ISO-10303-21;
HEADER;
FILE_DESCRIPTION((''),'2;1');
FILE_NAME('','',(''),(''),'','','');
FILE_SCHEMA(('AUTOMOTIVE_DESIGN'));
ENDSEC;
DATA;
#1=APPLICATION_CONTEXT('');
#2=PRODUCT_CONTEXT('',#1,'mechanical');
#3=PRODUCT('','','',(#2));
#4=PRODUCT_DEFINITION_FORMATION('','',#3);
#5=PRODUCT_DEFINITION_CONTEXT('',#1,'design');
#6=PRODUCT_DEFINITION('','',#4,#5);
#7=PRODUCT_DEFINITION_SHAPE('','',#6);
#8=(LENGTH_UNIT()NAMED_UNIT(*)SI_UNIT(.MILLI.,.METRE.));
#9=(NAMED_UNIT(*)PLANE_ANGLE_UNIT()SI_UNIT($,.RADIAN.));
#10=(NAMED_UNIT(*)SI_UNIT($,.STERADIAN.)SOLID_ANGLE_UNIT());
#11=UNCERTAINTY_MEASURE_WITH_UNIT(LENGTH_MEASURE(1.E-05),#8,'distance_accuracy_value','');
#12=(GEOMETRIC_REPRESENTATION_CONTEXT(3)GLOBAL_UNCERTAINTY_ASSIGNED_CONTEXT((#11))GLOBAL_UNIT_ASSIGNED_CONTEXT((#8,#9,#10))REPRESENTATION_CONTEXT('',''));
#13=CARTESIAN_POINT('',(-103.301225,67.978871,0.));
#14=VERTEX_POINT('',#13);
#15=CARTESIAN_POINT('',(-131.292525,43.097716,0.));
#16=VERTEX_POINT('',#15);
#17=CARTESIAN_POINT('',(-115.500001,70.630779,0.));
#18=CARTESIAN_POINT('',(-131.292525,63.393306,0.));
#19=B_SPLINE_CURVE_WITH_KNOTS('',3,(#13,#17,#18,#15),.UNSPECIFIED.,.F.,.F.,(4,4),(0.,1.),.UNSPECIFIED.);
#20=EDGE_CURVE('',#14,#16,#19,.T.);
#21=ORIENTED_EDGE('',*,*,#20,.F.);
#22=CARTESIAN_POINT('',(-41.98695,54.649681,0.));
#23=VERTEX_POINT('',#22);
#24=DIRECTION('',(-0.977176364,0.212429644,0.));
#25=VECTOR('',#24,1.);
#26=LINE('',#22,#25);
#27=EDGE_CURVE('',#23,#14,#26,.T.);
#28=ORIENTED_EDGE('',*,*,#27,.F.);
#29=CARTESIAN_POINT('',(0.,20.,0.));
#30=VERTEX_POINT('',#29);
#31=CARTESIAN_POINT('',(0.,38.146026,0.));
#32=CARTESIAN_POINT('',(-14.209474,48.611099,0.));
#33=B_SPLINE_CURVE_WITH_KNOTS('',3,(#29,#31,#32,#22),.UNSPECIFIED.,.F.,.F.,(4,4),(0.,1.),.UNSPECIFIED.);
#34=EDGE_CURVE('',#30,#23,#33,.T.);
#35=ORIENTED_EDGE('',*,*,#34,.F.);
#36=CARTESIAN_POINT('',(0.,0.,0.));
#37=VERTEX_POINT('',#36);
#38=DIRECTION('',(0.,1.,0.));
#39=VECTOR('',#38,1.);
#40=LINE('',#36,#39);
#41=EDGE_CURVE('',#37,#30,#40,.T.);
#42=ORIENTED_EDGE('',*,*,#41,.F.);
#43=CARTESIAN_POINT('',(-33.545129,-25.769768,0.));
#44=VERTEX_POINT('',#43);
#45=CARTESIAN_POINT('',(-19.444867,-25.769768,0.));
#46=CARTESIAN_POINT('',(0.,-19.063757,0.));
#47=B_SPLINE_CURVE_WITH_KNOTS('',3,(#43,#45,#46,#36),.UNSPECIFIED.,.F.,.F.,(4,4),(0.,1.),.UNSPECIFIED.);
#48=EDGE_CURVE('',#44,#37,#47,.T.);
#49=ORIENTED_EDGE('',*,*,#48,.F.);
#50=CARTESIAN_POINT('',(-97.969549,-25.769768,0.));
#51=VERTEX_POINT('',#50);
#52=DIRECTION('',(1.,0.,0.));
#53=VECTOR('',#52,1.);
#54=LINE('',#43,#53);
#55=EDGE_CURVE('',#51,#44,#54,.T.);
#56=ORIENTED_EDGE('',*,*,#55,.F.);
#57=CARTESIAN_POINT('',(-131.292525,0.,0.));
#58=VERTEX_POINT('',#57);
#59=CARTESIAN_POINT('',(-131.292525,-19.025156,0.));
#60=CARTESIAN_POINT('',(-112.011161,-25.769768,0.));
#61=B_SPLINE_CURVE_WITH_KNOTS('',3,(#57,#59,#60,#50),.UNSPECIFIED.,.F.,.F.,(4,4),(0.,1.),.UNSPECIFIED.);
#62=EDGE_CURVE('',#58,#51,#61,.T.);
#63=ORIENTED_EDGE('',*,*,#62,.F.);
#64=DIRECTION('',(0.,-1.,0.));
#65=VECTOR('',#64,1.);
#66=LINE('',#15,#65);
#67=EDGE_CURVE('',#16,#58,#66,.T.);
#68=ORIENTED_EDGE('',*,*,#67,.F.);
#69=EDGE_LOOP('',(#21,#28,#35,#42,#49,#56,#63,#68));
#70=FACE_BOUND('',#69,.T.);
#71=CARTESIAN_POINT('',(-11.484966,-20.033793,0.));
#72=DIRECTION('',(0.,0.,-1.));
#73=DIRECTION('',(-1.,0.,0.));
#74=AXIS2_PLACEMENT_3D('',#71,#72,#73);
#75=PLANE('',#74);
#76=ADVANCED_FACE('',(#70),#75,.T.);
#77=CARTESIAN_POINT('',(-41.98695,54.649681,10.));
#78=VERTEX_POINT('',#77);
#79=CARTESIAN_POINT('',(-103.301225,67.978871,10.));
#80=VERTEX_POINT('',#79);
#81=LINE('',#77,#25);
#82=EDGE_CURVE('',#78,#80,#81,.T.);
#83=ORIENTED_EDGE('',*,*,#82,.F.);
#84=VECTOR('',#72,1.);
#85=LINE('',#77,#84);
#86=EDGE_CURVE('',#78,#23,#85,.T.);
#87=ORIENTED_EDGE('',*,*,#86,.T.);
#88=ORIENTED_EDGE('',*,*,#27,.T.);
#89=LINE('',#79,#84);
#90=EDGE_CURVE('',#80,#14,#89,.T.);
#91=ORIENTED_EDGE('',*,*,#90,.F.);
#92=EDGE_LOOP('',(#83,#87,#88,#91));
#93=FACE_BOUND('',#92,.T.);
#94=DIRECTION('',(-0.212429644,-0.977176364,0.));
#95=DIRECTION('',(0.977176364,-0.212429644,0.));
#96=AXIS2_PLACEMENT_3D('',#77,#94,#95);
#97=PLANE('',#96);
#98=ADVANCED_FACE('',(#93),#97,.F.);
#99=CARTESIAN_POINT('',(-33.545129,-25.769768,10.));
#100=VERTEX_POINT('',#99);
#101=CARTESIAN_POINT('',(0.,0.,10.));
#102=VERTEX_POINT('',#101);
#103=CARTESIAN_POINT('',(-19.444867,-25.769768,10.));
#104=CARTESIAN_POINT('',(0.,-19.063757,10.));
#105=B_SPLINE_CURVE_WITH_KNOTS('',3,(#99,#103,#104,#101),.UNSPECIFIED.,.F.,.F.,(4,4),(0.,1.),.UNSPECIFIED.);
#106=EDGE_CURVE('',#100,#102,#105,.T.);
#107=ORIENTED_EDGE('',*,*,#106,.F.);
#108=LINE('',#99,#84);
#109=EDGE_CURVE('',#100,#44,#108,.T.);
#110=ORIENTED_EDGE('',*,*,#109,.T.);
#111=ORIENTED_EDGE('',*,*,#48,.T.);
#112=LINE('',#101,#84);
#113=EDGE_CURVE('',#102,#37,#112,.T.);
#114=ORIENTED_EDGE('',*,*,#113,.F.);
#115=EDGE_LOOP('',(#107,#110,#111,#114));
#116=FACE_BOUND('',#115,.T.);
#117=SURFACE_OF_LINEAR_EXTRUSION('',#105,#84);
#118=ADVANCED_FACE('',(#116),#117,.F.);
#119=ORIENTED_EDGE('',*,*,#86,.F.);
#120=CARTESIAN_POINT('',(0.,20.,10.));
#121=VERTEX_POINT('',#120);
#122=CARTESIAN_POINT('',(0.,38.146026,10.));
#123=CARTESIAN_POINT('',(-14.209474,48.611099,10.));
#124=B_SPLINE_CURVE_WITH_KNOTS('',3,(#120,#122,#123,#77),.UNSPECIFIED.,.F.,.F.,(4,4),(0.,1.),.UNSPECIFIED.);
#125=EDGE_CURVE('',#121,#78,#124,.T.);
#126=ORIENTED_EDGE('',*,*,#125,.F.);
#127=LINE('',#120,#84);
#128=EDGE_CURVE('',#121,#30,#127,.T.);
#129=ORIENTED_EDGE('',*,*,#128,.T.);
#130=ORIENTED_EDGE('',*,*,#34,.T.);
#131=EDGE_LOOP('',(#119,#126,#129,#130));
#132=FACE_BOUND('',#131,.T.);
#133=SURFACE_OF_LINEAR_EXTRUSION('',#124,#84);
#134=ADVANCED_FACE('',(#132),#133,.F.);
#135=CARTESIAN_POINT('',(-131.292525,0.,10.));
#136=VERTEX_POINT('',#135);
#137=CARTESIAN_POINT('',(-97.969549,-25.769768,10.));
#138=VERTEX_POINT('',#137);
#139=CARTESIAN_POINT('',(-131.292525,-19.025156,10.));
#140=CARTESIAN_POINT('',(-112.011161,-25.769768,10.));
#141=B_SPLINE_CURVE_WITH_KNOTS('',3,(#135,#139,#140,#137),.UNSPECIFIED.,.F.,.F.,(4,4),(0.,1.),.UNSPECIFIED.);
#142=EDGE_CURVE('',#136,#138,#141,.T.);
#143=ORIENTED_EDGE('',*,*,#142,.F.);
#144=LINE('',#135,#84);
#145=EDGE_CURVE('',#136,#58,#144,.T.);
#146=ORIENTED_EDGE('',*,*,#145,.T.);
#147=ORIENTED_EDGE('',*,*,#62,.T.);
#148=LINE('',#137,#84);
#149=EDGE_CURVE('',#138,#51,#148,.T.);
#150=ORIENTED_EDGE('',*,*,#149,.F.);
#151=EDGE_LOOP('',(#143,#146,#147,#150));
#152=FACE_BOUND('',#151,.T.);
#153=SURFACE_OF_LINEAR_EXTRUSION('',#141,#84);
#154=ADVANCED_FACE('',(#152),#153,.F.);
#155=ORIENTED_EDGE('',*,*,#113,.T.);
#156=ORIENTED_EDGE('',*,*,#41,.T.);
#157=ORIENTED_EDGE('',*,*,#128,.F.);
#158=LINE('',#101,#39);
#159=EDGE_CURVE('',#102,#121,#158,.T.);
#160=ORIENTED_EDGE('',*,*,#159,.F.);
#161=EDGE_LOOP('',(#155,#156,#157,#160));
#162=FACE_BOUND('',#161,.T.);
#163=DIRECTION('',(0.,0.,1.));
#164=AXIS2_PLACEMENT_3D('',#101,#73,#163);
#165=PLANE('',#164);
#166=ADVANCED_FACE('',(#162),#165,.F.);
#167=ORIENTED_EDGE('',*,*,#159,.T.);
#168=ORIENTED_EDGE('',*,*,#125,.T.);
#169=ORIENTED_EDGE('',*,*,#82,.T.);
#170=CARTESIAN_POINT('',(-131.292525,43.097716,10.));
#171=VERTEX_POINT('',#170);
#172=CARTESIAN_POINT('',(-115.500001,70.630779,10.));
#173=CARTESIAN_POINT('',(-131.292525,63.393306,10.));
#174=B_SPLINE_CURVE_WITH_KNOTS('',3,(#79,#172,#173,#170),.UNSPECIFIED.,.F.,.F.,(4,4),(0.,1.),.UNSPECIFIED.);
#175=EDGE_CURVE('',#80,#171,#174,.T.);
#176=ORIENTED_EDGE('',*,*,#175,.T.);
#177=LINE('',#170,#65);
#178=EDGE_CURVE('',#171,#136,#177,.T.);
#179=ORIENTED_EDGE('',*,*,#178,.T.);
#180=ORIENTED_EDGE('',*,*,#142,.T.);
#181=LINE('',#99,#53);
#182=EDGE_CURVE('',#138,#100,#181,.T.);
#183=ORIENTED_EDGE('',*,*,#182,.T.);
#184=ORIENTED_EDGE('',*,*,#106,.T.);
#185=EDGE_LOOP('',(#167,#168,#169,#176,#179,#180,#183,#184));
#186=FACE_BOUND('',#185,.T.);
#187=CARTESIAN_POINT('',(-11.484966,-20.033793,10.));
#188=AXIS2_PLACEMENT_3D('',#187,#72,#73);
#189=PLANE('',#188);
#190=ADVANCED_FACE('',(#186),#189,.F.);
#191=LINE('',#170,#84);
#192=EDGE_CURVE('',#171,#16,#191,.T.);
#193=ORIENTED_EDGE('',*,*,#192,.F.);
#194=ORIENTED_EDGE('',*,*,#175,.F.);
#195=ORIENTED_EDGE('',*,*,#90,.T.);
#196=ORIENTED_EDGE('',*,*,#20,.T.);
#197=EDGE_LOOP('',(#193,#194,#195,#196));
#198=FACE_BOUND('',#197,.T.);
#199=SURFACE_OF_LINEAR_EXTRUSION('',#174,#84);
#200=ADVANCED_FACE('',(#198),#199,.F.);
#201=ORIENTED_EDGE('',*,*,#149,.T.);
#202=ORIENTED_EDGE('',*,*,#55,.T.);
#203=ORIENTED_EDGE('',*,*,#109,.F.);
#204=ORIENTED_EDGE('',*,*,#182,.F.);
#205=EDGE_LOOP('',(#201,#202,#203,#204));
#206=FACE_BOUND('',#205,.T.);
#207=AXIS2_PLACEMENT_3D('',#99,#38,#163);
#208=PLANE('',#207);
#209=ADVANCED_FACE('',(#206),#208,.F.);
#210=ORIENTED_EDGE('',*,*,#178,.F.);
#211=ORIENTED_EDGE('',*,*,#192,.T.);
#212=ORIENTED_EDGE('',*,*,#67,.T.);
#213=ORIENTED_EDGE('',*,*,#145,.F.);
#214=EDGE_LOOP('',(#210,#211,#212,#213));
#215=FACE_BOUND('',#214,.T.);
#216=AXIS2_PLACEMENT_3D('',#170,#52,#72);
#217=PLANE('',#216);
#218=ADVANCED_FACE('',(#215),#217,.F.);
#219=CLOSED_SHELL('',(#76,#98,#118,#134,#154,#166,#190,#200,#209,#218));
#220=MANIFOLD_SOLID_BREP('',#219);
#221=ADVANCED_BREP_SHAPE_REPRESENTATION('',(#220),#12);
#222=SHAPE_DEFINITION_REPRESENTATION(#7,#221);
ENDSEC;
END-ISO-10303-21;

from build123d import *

# Parameters (mm, degrees)
EXTRUDE_1_DEPTH = 10


with BuildPart() as part:
    # Эскиз1_fr → Бобышка-Вытянуть1 (new body)
    with BuildSketch(Plane.XY):
        with BuildLine():
            Line((0, 0), (0, 20))
            add(Edge.make_bspline(
                [(0, 20), (0, 38.146025899), (-14.209474182, 48.611098897), (-41.986949672, 54.649680525)],
                knots=[0, 0, 0, 0, 1, 1, 1, 1], degree=3))
            Line((-41.986949672, 54.649680525), (-103.301225383, 67.978870897))
            add(Edge.make_bspline(
                [(-103.301225383, 67.978870897), (-115.500001367, 70.63077872), (-131.292525164, 63.393306184), (-131.292525164, 43.097715536)],
                knots=[0, 0, 0, 0, 1, 1, 1, 1], degree=3))
            Line((-131.292525164, 43.097715536), (-131.292525164, 0))
            add(Edge.make_bspline(
                [(-97.969549234, -25.769768053), (-112.011160689, -25.769768053), (-131.292525164, -19.025155818), (-131.292525164, 0)],
                knots=[0, 0, 0, 0, 1, 1, 1, 1], degree=3))
            Line((-97.969549234, -25.769768053), (-33.545129103, -25.769768053))
            add(Edge.make_bspline(
                [(-33.545129103, -25.769768053), (-19.444866568, -25.769768053), (0, -19.063757455), (0, 0)],
                knots=[0, 0, 0, 0, 1, 1, 1, 1], degree=3))
        make_face()
    extrude(amount=EXTRUDE_1_DEPTH)


solid = part.part
